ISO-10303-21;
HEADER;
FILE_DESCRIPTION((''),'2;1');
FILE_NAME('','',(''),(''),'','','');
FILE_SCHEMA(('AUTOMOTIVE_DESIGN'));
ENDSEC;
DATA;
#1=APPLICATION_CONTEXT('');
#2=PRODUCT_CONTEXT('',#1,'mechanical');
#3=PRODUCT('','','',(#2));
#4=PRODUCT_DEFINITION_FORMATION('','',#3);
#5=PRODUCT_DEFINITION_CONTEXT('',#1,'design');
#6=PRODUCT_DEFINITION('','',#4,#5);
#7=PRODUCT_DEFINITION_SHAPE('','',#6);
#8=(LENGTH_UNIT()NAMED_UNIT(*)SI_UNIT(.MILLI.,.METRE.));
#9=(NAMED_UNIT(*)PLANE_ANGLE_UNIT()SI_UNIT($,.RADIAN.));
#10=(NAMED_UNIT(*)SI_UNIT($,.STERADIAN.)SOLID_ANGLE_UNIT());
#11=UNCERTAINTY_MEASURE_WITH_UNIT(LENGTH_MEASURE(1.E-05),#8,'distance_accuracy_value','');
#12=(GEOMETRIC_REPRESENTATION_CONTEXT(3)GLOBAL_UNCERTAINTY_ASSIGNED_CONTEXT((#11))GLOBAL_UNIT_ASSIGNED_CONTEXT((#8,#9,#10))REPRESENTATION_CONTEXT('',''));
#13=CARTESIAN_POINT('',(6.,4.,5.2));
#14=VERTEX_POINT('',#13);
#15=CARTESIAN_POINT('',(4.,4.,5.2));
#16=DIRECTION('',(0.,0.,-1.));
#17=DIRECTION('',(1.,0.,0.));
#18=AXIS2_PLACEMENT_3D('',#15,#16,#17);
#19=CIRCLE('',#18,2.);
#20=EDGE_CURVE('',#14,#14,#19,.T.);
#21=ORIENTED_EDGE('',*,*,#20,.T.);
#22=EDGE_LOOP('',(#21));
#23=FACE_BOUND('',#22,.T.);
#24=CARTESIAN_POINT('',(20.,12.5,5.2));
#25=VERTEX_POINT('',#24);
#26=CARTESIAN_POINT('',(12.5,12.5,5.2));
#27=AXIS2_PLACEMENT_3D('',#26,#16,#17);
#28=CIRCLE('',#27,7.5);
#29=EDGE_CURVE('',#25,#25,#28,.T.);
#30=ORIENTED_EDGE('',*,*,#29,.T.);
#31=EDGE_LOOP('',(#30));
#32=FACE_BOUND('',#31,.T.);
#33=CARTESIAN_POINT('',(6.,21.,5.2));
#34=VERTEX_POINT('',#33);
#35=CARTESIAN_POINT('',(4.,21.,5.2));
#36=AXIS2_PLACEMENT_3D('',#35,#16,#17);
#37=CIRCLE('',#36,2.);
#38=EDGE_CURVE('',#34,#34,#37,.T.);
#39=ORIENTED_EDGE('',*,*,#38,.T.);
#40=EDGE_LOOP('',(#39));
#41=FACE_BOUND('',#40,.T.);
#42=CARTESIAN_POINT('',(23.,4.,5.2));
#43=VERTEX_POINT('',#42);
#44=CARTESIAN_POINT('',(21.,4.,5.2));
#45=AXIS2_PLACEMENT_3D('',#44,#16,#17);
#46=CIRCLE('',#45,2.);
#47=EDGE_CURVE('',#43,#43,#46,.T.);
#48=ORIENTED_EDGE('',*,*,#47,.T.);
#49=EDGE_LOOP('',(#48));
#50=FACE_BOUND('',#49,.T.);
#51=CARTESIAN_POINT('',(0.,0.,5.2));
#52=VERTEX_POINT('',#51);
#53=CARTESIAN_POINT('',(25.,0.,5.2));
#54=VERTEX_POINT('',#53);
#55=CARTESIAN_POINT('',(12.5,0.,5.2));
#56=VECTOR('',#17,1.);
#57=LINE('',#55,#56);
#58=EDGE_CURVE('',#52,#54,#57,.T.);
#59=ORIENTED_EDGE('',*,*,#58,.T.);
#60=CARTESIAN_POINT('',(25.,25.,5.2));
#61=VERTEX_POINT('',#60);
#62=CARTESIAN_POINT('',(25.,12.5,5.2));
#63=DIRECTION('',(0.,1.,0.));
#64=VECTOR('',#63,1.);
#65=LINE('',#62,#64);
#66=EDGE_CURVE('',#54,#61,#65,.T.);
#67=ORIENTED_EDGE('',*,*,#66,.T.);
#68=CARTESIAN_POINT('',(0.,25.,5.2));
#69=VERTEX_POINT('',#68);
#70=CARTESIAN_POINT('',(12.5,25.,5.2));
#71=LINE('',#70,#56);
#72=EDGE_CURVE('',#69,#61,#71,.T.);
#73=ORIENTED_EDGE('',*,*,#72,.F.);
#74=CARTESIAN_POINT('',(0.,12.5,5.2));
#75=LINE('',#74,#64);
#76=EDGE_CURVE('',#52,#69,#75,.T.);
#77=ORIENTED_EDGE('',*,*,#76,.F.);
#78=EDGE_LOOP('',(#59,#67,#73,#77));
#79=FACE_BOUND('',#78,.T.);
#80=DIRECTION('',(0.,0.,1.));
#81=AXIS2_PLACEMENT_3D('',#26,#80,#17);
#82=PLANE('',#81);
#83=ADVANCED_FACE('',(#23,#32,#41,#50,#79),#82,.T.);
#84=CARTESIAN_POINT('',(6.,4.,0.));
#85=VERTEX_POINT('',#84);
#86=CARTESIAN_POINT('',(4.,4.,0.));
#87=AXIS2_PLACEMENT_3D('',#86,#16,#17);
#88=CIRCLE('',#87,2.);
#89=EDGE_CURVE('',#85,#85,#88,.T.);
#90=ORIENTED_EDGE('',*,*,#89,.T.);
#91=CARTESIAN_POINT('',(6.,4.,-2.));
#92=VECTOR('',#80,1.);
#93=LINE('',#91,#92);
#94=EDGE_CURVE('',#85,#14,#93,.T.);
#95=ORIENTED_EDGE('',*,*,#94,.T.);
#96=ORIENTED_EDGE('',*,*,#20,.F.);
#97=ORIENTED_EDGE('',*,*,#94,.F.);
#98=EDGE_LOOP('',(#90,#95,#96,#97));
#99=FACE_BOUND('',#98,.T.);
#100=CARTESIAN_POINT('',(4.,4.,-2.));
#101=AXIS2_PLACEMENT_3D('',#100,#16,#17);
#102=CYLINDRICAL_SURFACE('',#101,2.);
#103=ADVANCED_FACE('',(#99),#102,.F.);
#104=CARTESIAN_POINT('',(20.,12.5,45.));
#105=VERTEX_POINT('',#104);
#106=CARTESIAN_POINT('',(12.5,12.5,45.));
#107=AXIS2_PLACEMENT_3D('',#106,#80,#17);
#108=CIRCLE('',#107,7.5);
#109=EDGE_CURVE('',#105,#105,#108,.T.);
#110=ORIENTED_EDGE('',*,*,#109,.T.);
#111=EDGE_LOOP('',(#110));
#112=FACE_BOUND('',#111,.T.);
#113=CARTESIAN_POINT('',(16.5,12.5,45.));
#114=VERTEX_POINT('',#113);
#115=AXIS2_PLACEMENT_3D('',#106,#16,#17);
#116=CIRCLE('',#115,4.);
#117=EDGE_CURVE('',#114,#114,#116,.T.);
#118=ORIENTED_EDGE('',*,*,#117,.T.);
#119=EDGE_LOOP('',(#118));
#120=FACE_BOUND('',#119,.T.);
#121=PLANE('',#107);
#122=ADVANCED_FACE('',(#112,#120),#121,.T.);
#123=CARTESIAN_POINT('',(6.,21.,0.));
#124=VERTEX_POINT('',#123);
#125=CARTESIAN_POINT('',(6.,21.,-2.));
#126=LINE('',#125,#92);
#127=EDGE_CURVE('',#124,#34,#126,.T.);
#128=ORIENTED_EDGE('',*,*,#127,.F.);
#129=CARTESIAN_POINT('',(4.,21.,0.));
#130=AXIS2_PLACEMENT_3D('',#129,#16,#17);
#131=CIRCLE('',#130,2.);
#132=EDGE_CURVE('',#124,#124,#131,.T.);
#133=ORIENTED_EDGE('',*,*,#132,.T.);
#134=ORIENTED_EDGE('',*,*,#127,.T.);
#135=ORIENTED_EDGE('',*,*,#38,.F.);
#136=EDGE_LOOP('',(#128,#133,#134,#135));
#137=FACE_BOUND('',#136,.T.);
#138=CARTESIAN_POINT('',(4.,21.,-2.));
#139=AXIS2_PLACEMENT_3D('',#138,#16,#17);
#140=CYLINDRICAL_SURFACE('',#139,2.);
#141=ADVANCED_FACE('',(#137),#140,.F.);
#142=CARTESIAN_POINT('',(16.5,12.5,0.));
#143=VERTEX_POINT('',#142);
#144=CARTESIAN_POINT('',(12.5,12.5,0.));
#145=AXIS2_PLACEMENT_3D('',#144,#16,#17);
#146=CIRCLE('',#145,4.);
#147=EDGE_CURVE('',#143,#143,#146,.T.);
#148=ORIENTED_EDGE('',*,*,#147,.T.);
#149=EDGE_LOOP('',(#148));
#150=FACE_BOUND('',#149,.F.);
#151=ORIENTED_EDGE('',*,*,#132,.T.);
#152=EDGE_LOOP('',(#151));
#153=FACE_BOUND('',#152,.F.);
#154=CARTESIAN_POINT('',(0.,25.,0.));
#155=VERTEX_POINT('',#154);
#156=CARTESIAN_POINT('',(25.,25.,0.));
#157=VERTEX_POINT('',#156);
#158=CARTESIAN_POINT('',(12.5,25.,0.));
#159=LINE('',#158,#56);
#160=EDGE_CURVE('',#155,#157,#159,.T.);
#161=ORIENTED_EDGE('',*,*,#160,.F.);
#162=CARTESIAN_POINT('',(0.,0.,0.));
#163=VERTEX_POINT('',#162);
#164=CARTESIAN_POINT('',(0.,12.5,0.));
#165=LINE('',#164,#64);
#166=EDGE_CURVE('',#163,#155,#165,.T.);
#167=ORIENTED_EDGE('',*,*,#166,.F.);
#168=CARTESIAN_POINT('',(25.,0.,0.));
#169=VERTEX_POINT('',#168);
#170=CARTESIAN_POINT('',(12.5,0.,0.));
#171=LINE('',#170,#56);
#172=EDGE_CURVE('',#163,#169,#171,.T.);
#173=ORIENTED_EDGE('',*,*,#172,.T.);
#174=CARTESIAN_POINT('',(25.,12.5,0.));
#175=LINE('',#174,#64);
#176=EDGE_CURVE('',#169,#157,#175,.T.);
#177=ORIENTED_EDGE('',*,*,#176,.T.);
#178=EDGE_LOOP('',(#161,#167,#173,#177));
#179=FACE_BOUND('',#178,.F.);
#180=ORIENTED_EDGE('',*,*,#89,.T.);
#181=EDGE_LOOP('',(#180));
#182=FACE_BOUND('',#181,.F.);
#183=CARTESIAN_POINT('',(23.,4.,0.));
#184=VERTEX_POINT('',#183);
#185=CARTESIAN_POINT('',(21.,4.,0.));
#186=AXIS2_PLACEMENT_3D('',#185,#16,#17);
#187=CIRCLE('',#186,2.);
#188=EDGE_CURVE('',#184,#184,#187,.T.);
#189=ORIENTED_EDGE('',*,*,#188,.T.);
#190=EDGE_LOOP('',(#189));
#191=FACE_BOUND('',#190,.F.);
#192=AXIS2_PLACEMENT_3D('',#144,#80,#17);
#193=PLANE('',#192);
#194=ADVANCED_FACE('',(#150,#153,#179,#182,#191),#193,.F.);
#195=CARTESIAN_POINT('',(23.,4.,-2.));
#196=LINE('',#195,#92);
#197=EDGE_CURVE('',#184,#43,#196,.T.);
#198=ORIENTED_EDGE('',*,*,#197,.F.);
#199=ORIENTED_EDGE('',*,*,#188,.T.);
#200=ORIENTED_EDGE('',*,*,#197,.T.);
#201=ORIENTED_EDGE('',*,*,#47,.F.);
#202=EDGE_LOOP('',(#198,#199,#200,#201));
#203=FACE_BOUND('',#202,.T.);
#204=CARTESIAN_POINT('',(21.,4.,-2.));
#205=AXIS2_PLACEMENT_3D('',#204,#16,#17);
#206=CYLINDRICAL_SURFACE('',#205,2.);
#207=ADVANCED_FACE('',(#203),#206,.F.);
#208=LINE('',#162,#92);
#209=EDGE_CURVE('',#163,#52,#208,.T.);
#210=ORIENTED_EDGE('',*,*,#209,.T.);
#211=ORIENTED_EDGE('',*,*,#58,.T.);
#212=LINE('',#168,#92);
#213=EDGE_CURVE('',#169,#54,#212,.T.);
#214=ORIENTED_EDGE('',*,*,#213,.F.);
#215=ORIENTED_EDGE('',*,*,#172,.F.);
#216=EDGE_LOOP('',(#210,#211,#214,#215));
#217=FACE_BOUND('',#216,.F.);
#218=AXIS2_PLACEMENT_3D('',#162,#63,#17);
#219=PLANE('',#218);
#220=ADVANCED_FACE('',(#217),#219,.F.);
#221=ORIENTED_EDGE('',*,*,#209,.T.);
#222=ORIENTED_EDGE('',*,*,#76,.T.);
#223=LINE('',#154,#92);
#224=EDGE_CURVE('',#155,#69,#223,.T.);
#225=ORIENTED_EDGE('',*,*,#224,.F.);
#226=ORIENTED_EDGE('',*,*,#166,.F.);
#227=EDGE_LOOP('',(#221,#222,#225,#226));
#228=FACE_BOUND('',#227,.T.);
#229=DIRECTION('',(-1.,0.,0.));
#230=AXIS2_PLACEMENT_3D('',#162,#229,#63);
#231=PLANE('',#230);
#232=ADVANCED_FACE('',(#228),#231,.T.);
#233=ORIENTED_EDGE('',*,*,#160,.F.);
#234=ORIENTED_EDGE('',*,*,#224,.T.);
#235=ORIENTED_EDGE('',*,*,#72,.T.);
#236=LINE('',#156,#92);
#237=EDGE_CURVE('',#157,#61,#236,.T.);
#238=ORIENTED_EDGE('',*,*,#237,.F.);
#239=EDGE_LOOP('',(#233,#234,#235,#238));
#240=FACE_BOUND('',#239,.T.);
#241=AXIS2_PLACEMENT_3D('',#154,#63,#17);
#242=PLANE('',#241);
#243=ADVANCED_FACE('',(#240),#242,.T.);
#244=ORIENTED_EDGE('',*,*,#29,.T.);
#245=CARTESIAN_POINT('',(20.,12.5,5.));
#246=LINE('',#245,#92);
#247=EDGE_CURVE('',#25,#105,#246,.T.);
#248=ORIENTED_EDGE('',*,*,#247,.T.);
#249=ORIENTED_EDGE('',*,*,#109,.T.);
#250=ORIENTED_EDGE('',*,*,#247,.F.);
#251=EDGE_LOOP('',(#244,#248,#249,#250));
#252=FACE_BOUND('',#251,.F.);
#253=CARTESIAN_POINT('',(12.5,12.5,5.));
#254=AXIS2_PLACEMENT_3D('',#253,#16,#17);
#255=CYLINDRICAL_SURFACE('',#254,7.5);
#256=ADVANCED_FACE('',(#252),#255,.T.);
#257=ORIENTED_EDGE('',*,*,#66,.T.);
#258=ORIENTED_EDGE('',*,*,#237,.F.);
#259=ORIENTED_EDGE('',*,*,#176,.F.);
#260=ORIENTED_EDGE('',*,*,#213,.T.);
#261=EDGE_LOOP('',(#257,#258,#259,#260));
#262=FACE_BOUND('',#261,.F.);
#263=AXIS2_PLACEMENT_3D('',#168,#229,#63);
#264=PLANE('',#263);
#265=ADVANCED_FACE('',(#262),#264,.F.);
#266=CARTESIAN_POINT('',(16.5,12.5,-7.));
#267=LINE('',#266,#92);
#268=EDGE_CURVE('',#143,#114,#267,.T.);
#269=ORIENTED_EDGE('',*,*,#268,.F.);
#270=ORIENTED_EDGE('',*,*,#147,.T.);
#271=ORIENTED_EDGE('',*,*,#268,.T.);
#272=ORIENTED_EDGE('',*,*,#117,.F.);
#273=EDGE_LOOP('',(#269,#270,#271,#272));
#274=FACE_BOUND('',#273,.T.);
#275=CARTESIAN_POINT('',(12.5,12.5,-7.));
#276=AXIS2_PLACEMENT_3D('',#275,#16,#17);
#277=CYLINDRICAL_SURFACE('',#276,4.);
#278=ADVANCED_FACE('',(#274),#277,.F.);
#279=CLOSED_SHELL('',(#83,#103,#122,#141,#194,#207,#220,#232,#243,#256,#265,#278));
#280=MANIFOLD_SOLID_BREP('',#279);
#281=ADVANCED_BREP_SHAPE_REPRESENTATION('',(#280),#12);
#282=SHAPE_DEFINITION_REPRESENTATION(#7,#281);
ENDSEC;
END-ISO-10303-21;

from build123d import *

# Parameters (mm, degrees)
CYLINDER027_R     = 2
CYLINDER027_DEPTH = 10
CYLINDER025_R     = 2
CYLINDER025_DEPTH = 10
CYLINDER024_R     = 2
CYLINDER024_DEPTH = 10
CYLINDER023_R     = 4
CYLINDER023_DEPTH = 60
CYLINDER028_R     = 7.5
CYLINDER028_DEPTH = 40
BOX005_W          = 25
BOX005_H          = 25
BOX005_DEPTH      = 5.2


with BuildPart() as cylinder027:
    # Cylinder027 → Cylinder027 (new body)
    with BuildSketch(Plane(origin=(21, 4, -2), x_dir=(1, 0, 0), z_dir=(0, 0, 1))):
        Circle(CYLINDER027_R)
    extrude(amount=CYLINDER027_DEPTH)


with BuildPart() as cylinder025:
    # Cylinder025 → Cylinder025 (new body)
    with BuildSketch(Plane(origin=(4, 21, -2), x_dir=(1, 0, 0), z_dir=(0, 0, 1))):
        Circle(CYLINDER025_R)
    extrude(amount=CYLINDER025_DEPTH)


with BuildPart() as cylinder024:
    # Cylinder024 → Cylinder024 (new body)
    with BuildSketch(Plane(origin=(4, 4, -2), x_dir=(1, 0, 0), z_dir=(0, 0, 1))):
        Circle(CYLINDER024_R)
    extrude(amount=CYLINDER024_DEPTH)


with BuildPart() as cylinder023:
    # Cylinder023 → Cylinder023 (new body)
    with BuildSketch(Plane(origin=(12.5, 12.5, -7), x_dir=(1, 0, 0), z_dir=(0, 0, 1))):
        Circle(CYLINDER023_R)
    extrude(amount=CYLINDER023_DEPTH)


with BuildPart() as cylinder028:
    # Cylinder028 → Cylinder028 (new body)
    with BuildSketch(Plane(origin=(12.5, 12.5, 5), x_dir=(1, 0, 0), z_dir=(0, 0, 1))):
        Circle(CYLINDER028_R)
    extrude(amount=CYLINDER028_DEPTH)


with BuildPart() as cut026:
    # Box005 → Box005 (new body)
    with BuildSketch(Plane.XY):
        with Locations((12.5, 12.5)):
            Rectangle(BOX005_W, BOX005_H)
    extrude(amount=BOX005_DEPTH)

    # Fusion006: union Cylinder028
    add(cylinder028.part)

    # Cut027: cut Cylinder023
    add(cylinder023.part, mode=Mode.SUBTRACT)

    # Cut028: cut Cylinder024
    add(cylinder024.part, mode=Mode.SUBTRACT)

    # Cut025: cut Cylinder025
    add(cylinder025.part, mode=Mode.SUBTRACT)

    # Cut026: cut Cylinder027
    add(cylinder027.part, mode=Mode.SUBTRACT)


solid = cut026.part
